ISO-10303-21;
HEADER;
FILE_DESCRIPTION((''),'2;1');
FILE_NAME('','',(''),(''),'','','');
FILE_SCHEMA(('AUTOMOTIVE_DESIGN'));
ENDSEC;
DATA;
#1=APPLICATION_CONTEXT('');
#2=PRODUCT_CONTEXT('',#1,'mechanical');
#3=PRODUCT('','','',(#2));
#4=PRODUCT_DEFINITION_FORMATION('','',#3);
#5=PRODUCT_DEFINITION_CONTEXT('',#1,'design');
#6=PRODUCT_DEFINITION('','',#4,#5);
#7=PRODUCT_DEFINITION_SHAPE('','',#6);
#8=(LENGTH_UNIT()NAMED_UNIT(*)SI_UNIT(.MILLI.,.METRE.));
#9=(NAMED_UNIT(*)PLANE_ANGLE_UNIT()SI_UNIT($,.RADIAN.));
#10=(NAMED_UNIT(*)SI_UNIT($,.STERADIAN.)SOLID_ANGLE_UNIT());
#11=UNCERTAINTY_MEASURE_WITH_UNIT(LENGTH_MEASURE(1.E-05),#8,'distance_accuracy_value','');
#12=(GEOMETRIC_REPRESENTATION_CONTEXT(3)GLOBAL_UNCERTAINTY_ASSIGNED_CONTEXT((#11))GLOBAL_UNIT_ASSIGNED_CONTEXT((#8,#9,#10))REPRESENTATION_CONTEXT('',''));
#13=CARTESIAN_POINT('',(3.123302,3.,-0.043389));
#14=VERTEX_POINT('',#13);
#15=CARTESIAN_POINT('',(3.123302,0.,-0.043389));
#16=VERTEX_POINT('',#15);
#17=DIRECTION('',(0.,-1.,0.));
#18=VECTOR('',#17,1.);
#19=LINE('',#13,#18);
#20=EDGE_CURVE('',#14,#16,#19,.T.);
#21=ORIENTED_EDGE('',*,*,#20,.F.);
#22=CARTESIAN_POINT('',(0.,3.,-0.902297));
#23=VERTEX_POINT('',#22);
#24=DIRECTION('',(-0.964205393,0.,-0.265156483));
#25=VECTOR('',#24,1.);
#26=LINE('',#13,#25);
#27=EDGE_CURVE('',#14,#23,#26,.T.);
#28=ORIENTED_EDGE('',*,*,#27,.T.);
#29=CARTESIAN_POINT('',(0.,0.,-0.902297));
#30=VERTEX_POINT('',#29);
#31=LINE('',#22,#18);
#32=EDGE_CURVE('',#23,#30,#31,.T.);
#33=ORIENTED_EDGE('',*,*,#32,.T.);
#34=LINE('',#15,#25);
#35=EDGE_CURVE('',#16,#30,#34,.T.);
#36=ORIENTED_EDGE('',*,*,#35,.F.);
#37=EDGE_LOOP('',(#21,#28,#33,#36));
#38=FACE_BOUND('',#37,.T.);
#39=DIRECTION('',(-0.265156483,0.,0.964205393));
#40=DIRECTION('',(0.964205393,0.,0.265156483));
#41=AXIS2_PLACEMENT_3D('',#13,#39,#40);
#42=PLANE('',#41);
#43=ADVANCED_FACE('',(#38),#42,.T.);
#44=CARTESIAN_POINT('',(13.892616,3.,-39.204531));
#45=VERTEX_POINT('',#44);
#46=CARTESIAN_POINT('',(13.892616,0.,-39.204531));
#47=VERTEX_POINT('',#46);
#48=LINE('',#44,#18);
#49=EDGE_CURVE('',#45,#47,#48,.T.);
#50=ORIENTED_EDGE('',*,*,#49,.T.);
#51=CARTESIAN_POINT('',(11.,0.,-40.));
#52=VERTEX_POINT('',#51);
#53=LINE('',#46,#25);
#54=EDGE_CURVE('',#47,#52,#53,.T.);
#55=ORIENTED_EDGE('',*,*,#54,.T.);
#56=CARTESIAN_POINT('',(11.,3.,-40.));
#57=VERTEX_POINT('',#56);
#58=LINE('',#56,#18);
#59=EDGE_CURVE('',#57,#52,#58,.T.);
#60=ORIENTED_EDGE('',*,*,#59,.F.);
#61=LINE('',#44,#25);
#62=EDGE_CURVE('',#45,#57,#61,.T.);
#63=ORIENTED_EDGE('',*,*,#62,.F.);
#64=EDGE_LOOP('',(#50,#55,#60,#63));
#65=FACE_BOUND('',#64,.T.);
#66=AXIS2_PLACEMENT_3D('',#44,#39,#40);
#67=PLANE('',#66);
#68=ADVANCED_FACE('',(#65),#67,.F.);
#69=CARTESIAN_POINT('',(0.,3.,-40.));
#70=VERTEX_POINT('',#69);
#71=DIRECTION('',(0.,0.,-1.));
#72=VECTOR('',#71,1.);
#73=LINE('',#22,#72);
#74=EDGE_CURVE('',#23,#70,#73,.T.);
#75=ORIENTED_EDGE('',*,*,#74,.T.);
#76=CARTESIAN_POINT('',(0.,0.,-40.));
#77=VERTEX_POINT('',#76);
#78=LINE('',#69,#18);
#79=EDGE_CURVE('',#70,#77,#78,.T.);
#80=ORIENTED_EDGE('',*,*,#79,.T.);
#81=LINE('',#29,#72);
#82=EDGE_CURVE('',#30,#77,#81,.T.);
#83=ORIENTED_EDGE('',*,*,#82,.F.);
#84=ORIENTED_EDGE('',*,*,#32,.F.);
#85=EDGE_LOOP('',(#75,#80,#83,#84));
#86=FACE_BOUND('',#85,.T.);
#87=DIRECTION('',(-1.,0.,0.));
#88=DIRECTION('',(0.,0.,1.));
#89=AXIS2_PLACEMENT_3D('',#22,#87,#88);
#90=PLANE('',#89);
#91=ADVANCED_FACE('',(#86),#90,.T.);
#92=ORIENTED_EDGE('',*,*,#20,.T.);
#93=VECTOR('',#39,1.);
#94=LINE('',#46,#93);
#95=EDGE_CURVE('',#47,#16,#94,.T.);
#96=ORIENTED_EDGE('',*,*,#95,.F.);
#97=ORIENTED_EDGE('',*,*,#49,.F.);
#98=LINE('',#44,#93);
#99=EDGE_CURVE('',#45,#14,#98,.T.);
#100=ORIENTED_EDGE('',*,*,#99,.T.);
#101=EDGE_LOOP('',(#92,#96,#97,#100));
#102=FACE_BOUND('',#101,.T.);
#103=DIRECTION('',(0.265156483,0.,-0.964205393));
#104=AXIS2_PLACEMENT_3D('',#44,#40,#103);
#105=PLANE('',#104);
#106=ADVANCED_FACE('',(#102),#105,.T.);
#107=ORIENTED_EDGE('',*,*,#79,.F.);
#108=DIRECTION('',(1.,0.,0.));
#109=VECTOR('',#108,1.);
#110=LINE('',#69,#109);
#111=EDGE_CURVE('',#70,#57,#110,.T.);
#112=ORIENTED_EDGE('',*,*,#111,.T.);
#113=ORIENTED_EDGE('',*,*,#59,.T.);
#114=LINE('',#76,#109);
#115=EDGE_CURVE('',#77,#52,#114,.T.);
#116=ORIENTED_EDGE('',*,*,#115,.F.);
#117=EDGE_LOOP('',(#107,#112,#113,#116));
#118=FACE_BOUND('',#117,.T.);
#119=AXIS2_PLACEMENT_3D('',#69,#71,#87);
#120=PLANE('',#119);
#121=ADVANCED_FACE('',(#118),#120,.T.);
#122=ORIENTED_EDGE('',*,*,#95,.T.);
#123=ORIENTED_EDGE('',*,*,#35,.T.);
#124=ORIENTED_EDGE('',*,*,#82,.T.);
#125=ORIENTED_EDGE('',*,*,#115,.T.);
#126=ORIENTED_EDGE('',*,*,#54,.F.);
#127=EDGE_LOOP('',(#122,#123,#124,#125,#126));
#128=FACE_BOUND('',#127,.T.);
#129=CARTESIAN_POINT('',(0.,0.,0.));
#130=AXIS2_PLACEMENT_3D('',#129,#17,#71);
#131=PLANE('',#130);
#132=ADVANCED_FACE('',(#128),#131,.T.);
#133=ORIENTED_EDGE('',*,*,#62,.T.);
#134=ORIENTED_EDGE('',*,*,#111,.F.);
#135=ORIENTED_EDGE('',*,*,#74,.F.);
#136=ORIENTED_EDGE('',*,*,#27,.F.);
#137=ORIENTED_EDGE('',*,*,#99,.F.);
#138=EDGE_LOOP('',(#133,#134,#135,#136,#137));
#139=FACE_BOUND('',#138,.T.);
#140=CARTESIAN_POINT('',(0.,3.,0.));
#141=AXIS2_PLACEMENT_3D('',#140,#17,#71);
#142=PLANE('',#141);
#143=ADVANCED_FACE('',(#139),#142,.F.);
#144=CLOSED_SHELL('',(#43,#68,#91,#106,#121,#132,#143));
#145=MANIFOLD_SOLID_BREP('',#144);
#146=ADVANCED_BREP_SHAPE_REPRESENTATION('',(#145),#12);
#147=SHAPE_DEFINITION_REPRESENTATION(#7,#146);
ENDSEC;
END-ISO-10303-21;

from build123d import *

# Parameters (mm, degrees)
BOSS_EXTRUDE2_DEPTH = 3


with BuildPart() as part:
    # Sketch1 → Boss-Extrude2 (new body)
    with BuildSketch(Plane(origin=(0, 0, 0), x_dir=(1, 0, 0), z_dir=(0, 1, 0))):
        Polygon((13.892616178, 39.204530551), (11, 40), (0, 40), (0, 0.90229738), (3.123302319, 0.043389243), align=None)
    extrude(amount=BOSS_EXTRUDE2_DEPTH)


solid = part.part
